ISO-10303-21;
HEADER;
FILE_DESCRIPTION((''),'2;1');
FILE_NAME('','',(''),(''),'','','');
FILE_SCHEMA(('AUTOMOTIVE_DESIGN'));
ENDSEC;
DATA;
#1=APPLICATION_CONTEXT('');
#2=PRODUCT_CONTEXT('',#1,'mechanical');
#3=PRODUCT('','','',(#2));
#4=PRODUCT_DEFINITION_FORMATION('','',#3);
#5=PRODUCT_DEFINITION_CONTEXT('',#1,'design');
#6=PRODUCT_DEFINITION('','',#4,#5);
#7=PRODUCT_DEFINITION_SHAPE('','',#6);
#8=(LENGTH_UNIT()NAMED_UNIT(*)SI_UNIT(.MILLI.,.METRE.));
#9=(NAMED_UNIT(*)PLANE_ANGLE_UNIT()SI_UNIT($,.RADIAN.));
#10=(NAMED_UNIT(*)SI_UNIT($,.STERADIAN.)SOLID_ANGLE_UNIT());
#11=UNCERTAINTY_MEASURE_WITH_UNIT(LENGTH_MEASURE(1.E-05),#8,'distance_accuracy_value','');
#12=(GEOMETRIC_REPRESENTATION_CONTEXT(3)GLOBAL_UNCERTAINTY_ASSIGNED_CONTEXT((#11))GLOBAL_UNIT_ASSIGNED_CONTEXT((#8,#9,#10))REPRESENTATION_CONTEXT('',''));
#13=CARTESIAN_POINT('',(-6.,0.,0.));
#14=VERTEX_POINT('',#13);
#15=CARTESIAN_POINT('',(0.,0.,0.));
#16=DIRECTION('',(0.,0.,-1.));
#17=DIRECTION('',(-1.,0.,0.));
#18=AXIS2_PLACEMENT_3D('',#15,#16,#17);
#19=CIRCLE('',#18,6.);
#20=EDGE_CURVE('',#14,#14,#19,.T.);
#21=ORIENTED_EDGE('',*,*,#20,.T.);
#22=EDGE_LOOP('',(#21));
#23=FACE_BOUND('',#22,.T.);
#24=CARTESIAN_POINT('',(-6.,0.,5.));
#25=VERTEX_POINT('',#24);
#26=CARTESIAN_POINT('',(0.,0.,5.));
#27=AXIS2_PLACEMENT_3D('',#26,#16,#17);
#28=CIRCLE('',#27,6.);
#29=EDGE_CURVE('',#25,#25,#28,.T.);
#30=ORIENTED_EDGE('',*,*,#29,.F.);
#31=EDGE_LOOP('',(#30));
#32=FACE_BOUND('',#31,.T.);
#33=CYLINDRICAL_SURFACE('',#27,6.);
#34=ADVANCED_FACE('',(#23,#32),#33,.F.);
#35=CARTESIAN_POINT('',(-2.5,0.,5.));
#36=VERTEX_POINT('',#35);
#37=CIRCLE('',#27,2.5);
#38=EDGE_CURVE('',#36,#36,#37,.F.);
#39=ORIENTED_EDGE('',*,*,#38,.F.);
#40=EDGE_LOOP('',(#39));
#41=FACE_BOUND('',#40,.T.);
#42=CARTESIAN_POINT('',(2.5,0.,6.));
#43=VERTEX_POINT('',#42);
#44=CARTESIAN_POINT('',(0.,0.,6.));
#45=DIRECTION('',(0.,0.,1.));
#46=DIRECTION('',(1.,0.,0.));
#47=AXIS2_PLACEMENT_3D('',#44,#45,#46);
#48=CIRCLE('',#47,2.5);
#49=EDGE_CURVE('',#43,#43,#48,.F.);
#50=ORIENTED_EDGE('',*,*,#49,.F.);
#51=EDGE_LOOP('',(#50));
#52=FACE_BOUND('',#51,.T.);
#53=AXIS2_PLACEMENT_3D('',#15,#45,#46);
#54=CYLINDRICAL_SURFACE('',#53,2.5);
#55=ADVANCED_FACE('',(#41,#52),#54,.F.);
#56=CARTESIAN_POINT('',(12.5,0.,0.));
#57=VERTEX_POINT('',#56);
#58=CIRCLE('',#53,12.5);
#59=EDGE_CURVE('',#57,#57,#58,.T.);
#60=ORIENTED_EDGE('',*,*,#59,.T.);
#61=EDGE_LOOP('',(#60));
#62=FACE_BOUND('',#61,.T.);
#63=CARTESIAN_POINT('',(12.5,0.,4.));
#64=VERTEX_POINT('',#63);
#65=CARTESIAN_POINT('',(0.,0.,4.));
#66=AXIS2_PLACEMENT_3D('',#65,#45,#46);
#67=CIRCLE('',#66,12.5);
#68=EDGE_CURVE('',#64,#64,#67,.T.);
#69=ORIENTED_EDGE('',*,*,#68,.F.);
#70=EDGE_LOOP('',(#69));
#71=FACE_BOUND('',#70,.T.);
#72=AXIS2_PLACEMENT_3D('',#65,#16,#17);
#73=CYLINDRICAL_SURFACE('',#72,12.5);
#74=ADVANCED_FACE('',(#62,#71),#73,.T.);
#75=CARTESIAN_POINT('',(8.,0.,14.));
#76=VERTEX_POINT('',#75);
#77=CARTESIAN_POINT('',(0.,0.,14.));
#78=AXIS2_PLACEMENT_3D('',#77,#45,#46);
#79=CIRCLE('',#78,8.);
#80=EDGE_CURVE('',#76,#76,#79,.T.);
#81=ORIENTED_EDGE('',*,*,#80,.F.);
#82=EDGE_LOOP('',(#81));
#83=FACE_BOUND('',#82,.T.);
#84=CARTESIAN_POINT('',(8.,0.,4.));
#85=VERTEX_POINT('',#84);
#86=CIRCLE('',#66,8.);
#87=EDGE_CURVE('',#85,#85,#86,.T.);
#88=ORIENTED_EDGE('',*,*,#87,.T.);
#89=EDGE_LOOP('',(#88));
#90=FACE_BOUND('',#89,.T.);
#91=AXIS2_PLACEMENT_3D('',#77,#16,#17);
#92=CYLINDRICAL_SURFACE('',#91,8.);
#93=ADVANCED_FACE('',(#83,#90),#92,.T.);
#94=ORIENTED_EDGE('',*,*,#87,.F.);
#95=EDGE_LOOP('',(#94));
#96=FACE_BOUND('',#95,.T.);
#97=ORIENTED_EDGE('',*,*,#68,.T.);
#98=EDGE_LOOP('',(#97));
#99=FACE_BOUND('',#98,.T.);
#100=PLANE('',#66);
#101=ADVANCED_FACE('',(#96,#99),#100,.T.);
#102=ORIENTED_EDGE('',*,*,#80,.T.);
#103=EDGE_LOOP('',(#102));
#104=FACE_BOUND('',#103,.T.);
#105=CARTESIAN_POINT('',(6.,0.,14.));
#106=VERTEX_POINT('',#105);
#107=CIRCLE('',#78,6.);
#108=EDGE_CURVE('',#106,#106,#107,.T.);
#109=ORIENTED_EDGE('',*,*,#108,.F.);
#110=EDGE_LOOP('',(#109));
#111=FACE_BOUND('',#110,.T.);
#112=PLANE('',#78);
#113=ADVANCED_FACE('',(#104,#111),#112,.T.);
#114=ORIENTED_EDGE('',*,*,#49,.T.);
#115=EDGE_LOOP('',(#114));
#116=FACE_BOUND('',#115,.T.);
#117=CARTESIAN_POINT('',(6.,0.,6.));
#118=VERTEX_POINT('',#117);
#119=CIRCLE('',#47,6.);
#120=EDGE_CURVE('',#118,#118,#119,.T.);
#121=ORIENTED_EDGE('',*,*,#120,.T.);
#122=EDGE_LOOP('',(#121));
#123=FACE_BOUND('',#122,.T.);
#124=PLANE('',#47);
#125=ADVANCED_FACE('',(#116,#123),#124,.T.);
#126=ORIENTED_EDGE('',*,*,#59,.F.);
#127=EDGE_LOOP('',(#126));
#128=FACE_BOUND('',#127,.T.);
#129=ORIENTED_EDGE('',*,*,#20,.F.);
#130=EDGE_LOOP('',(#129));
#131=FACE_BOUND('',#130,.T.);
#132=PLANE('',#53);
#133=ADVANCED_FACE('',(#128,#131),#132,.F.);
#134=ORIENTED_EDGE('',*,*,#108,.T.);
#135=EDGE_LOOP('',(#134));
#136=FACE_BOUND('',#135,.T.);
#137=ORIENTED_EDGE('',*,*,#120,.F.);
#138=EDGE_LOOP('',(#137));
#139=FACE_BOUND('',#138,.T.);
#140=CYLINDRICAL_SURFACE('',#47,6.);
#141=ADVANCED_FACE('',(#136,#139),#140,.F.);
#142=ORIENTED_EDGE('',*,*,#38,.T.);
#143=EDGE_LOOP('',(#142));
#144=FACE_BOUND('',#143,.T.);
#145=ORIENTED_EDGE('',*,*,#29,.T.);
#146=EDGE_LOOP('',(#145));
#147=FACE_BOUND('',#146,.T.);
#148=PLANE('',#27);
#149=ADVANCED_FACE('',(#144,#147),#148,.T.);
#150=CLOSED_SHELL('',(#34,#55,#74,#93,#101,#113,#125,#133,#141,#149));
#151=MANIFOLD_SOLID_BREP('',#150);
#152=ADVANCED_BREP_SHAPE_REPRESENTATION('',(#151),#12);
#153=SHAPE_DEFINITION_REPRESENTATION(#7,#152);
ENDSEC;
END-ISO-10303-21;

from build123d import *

# Parameters (mm, degrees)
SKETCH_1_R          = 12.5
EXTRUDE_1_DEPTH     = 4
SKETCH_2_R          = 8
EXTRUDE_2_DEPTH     = 10
SKETCH_3_R          = 2.5
CUT_EXTRUDE_1_DEPTH = 23.549944568
SKETCH_4_R          = 6
CUT_EXTRUDE_2_DEPTH = 8
CUT_EXTRUDE_START   = -5
SKETCH_5_R          = 6
CUT_EXTRUDE_3_DEPTH = 5


with BuildPart() as part:
    # 草图1 → 凸台-拉伸1 (new body)
    with BuildSketch(Plane.XY):
        Circle(SKETCH_1_R)
    extrude(amount=EXTRUDE_1_DEPTH)

    # 草图2 → 凸台-拉伸2 (add)
    with BuildSketch(Plane.XY.offset(4)):
        Circle(SKETCH_2_R)
    extrude(amount=EXTRUDE_2_DEPTH)

    # 草图3 → 切除-拉伸1 (cut, through all)
    with BuildSketch(Plane.XY.offset(14)):
        Circle(SKETCH_3_R)
    extrude(amount=-CUT_EXTRUDE_1_DEPTH, mode=Mode.SUBTRACT)

    # 草图4 → 切除-拉伸2 (cut)
    with BuildSketch(Plane.XY.offset(14)):
        Circle(SKETCH_4_R)
    extrude(amount=-CUT_EXTRUDE_2_DEPTH, mode=Mode.SUBTRACT)

    # 草图5 → 切除-拉伸3 (cut)
    with BuildSketch(Plane(origin=(0, 0, 0), x_dir=(-1, 0, 0), z_dir=(0, 0, -1)).offset(CUT_EXTRUDE_START)):
        with Locations(Location((0, 0, 0), (0, 0, 180))):
            Circle(SKETCH_5_R)
    extrude(amount=CUT_EXTRUDE_3_DEPTH, mode=Mode.SUBTRACT)


solid = part.part
